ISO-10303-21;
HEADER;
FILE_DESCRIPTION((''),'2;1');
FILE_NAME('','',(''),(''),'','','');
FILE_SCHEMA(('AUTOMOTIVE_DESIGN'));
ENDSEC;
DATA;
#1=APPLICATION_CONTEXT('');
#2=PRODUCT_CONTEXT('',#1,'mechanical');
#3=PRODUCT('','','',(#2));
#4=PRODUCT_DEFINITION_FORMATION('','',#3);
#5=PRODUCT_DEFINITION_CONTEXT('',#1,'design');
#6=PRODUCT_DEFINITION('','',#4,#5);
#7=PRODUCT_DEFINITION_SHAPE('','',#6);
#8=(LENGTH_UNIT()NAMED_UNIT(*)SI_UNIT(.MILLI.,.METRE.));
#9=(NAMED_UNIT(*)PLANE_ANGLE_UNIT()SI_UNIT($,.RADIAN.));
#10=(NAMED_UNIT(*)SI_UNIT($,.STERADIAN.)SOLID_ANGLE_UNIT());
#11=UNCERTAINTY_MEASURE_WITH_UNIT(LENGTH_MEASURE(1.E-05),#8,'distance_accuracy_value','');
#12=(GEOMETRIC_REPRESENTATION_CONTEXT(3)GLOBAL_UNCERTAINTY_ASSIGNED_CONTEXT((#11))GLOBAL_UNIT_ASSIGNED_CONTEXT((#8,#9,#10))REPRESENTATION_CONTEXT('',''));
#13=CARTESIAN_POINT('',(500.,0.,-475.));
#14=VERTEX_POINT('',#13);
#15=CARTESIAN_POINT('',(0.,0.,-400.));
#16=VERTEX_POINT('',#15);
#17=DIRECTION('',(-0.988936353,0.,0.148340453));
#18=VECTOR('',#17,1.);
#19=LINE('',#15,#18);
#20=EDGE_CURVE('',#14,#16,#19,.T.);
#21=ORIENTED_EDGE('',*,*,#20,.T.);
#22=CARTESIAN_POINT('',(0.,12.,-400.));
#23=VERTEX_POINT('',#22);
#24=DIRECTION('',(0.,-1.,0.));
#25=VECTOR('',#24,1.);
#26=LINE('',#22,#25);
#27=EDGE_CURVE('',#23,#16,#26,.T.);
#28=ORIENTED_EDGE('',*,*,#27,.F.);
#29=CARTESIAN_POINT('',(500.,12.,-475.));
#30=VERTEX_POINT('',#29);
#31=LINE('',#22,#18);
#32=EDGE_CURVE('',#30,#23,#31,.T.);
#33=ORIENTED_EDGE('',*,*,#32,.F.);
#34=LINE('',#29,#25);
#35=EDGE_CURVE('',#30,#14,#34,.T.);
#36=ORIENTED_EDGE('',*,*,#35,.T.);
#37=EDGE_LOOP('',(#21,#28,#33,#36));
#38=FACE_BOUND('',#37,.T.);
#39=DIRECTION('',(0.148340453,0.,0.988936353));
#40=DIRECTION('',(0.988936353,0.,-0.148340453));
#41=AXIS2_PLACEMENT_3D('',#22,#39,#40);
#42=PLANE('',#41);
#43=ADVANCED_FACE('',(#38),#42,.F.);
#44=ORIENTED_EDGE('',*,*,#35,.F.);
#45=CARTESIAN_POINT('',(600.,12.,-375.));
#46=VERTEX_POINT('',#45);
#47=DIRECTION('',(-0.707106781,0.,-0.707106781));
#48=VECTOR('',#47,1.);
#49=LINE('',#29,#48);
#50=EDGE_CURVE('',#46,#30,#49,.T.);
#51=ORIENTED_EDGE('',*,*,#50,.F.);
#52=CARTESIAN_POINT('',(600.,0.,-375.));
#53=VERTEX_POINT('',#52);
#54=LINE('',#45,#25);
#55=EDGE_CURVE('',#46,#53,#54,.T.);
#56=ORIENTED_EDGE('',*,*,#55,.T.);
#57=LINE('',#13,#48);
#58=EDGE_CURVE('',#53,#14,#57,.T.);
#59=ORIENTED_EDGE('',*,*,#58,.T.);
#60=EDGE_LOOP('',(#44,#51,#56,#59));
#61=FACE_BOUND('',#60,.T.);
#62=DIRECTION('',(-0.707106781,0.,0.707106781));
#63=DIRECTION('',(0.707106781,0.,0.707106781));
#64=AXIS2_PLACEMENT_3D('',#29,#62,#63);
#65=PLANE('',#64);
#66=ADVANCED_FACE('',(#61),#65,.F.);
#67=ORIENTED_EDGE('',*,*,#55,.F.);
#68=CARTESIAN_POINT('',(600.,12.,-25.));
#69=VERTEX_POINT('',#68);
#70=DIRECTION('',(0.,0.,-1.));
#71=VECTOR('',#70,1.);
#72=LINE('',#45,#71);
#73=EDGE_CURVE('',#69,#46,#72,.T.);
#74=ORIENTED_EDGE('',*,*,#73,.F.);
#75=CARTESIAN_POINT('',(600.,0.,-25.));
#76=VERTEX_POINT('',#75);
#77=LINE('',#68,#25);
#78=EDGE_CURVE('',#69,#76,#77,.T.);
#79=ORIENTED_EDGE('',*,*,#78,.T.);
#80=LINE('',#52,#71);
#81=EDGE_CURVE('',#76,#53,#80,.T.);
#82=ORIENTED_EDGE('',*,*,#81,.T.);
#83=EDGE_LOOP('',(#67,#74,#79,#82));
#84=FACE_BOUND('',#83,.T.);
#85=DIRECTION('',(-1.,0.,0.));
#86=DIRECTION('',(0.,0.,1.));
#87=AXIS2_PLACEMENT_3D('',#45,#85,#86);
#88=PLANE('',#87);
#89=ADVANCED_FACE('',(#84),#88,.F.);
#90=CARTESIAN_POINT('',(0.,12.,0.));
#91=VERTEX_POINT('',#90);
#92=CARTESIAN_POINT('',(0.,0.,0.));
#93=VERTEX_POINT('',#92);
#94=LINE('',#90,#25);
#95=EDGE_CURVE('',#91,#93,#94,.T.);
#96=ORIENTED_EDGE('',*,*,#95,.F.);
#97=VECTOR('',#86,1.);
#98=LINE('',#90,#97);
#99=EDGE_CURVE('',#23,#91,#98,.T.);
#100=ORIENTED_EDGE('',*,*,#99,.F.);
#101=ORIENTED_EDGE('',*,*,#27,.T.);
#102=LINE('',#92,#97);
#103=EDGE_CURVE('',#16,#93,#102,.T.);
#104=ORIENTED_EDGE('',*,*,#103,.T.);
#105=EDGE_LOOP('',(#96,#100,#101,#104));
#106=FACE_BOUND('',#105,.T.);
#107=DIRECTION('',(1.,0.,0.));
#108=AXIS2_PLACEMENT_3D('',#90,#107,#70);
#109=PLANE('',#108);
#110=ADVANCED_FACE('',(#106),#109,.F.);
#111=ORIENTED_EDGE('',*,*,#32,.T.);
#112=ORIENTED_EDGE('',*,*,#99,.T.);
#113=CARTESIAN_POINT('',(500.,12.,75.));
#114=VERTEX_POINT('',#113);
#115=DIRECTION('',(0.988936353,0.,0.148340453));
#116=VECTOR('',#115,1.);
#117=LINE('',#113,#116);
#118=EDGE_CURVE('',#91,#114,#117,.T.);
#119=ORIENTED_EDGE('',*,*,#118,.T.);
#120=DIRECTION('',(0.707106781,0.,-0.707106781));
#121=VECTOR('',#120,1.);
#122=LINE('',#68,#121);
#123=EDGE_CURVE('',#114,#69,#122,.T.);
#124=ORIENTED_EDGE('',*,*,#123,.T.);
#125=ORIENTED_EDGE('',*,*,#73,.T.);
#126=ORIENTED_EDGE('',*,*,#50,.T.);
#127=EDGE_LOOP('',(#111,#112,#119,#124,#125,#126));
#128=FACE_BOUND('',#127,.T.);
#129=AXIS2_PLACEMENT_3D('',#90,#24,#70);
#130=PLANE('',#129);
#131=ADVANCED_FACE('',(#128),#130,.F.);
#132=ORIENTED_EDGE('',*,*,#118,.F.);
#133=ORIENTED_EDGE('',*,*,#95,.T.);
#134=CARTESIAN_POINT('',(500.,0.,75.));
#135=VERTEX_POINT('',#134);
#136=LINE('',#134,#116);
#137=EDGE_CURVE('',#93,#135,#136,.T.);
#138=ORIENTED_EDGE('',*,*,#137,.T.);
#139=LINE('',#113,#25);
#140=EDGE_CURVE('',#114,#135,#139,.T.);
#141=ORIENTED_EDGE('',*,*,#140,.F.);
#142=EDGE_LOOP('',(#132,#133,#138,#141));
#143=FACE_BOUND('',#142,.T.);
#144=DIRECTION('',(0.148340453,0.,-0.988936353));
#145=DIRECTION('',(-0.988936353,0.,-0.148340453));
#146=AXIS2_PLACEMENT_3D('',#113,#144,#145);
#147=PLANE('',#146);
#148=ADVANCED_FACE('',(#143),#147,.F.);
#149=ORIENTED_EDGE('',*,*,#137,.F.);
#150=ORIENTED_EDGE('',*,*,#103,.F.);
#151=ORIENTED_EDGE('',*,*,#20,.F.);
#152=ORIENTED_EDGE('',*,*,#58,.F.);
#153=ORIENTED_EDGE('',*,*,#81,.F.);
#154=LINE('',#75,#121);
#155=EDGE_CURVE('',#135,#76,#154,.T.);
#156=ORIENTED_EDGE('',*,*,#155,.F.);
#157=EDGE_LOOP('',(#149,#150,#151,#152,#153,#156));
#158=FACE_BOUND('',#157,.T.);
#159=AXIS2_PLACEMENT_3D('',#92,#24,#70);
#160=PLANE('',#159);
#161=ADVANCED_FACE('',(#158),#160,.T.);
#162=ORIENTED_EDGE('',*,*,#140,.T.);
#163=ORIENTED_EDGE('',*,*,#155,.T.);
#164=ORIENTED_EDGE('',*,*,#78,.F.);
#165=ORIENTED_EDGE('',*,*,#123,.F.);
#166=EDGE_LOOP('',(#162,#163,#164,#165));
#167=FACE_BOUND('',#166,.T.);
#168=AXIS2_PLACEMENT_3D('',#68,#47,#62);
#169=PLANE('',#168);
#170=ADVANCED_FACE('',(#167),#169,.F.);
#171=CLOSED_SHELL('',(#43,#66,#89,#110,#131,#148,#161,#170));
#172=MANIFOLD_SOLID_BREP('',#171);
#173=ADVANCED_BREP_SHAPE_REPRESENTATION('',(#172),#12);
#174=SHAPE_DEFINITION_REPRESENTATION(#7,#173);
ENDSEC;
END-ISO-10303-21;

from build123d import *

# Parameters (mm, degrees)
BOSS_EXTRUDE1_DEPTH = 12


with BuildPart() as part:
    # Sketch1 → Boss-Extrude1 (new body)
    with BuildSketch(Plane(origin=(0, 0, 0), x_dir=(1, 0, 0), z_dir=(0, 1, 0))):
        Polygon((0, 0), (0, 400), (500, 475), (600, 375), (600, 25), (500, -75), align=None)
    extrude(amount=BOSS_EXTRUDE1_DEPTH)


solid = part.part
